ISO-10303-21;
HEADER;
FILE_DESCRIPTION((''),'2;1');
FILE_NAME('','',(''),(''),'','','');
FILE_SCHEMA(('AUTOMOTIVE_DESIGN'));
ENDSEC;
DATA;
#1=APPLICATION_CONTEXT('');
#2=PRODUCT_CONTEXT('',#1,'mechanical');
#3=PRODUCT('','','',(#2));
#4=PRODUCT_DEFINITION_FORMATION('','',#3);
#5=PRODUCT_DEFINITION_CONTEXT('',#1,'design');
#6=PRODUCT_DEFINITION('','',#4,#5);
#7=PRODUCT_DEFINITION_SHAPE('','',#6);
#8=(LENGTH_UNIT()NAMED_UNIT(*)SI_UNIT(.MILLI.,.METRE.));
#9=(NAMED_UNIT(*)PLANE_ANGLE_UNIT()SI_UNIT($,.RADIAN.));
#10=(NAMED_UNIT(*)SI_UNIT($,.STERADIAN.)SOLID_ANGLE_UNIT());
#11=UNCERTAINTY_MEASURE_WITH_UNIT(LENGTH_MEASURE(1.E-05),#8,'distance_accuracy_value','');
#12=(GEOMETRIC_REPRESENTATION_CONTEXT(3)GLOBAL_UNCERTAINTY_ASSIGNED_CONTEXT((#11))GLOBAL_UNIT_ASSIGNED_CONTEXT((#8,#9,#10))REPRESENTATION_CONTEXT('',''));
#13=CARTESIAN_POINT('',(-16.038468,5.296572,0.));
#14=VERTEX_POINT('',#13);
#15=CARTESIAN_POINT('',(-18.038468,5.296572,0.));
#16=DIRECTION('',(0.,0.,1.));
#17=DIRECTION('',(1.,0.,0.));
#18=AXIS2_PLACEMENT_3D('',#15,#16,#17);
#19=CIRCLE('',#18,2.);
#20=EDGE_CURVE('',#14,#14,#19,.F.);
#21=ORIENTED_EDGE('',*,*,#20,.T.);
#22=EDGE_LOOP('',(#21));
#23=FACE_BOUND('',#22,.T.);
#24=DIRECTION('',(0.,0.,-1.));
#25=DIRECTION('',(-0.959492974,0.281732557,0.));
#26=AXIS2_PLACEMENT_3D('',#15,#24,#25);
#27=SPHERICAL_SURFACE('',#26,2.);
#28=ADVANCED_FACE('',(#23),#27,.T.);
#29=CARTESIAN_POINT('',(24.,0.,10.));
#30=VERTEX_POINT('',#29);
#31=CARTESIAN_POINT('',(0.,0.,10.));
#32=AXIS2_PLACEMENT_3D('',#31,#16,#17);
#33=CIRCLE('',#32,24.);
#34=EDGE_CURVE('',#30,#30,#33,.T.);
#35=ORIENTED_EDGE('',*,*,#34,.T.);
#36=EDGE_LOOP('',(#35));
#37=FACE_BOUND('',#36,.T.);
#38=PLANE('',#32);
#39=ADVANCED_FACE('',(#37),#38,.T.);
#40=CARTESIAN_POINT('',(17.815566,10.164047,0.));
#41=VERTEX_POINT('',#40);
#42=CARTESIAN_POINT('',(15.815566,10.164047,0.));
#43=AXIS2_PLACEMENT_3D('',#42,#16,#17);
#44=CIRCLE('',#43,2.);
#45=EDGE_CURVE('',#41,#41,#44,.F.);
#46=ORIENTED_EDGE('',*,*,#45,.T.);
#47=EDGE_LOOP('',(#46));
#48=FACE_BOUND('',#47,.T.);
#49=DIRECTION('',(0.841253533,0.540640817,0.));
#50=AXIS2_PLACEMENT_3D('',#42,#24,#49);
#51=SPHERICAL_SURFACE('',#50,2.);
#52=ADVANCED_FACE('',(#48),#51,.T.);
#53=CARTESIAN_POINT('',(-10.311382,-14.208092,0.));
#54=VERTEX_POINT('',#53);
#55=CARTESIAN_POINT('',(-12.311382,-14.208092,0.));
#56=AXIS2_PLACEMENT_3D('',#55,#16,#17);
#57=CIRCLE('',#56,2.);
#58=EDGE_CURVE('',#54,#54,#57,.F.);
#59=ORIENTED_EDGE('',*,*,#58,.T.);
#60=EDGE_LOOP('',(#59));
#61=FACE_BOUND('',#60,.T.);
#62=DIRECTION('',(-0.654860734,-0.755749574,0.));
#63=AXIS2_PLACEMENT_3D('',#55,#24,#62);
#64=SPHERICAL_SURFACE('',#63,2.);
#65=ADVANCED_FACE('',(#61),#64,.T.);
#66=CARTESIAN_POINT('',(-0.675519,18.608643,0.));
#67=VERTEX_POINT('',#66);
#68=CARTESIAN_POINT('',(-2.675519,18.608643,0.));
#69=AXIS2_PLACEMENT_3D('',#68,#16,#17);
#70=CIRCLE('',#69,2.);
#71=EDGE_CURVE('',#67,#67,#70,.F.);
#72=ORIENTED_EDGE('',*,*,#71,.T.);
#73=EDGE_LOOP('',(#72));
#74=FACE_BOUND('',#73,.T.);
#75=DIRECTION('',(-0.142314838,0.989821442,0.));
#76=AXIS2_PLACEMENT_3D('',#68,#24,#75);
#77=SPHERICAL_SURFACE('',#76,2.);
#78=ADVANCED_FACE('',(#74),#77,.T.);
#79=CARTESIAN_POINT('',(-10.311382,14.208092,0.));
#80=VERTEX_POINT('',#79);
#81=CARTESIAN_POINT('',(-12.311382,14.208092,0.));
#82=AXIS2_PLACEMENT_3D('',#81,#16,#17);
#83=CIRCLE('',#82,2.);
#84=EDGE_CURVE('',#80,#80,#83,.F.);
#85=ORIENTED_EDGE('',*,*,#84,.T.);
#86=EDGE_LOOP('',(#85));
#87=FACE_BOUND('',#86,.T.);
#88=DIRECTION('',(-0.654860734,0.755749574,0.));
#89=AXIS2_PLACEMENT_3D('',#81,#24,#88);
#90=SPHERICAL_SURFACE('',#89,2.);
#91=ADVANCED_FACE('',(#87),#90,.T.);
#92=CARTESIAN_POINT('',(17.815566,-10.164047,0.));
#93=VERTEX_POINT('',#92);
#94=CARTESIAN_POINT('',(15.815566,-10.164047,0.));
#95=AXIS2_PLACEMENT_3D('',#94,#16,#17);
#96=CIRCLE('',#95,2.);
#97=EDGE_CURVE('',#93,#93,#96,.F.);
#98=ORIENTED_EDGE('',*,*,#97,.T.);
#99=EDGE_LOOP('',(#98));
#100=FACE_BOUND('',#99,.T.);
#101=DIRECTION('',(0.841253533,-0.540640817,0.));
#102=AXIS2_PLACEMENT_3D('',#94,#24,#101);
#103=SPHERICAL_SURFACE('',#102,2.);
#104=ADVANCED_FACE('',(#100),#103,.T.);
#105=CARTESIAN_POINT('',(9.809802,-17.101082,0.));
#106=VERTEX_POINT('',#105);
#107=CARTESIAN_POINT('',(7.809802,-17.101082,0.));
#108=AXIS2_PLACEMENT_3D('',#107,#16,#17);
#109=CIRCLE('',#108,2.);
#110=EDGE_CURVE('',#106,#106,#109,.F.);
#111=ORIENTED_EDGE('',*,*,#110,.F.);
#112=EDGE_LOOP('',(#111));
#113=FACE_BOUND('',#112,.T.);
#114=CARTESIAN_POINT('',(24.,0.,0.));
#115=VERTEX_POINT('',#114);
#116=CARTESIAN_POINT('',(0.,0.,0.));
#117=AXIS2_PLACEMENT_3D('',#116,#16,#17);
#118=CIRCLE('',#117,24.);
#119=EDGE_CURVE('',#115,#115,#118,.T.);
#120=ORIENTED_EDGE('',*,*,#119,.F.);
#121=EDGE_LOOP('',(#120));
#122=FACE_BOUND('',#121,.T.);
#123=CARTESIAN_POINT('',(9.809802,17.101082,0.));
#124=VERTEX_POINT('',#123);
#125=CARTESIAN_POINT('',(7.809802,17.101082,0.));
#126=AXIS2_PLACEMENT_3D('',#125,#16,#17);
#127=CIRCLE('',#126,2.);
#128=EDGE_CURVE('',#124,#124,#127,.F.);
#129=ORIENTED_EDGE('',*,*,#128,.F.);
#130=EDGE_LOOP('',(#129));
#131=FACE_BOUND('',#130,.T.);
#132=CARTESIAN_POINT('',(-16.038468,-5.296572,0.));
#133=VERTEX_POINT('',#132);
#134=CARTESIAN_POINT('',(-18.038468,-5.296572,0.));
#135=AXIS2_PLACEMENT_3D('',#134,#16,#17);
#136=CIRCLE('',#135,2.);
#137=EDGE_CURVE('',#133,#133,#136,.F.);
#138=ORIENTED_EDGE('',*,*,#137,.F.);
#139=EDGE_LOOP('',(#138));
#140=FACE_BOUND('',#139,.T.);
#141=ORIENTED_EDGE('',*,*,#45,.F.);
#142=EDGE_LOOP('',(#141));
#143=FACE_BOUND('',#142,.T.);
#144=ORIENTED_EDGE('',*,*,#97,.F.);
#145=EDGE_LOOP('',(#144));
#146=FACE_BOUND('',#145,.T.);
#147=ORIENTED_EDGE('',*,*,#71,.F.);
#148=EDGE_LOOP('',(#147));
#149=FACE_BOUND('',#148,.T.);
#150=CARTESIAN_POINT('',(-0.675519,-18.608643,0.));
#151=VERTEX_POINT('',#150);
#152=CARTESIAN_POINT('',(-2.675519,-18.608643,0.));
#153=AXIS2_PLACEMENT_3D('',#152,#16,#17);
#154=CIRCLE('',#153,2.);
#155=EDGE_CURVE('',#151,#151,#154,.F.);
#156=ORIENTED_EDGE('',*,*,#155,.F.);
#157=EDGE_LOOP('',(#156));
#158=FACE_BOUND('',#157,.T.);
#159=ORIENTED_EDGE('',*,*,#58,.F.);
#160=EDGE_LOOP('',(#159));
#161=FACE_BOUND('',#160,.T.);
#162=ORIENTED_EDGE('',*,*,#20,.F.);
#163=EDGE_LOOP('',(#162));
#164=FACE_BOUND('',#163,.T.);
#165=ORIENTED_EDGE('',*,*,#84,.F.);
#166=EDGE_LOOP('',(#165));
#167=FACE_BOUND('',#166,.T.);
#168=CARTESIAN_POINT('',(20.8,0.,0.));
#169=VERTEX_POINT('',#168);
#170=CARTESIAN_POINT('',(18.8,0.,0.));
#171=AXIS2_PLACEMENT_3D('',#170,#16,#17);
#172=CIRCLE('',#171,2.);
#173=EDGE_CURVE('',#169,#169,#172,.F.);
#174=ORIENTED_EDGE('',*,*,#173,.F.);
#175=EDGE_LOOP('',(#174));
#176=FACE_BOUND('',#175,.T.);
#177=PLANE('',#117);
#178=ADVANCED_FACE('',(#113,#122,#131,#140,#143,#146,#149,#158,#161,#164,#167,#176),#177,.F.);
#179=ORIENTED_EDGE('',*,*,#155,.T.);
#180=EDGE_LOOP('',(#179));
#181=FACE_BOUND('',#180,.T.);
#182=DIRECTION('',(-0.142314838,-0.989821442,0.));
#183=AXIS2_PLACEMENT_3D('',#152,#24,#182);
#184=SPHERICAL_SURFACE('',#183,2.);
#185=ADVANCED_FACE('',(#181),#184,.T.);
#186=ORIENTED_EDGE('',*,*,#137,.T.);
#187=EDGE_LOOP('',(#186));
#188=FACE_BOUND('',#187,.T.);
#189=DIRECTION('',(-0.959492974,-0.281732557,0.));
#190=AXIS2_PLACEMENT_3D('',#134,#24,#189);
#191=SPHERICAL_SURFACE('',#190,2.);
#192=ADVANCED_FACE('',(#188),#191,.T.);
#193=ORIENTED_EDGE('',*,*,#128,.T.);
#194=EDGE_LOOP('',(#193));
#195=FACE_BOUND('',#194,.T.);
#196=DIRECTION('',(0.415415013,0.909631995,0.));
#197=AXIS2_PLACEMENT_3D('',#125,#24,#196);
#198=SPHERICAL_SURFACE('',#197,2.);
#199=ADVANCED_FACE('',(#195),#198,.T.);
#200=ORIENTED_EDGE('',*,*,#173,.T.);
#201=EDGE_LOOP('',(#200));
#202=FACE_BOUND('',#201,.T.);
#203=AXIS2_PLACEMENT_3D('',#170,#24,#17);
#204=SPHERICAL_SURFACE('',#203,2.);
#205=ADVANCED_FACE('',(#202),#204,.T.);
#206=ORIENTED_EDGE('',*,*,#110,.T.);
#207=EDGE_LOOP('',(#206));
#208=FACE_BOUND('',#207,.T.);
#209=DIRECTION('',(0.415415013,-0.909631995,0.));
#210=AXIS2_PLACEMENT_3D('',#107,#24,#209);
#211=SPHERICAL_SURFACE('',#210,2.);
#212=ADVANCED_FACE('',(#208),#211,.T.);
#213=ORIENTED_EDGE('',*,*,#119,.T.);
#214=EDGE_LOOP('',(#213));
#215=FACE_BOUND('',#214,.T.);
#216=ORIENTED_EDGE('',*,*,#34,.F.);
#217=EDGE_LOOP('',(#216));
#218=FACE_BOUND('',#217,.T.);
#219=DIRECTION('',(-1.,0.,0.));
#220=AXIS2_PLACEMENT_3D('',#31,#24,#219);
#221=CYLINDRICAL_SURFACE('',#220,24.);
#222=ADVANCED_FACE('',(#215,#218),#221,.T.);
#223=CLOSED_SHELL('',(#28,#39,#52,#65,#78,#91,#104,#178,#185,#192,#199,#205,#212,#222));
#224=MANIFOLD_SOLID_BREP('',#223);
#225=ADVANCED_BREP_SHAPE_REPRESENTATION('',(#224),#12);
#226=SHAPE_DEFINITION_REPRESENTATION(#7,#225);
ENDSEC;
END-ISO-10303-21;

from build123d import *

# Parameters (mm, degrees)
SKETCH1_R           = 24
BOSS_EXTRUDE1_DEPTH = 10
CIRPATTERN1_COUNT   = 11


with BuildPart() as part:
    # Sketch1 → Boss-Extrude1 (new body)
    with BuildSketch(Plane.XY):
        Circle(SKETCH1_R)
    extrude(amount=BOSS_EXTRUDE1_DEPTH)

    # Sketch3 → Revolve1 (revolve)
    with BuildSketch(Plane(origin=(0, 0, 0), x_dir=(1, 0, 0), z_dir=(0, 1, 0))):
        with BuildLine():
            Line((18.8, 2), (18.8, -2))
            ThreePointArc((18.8, -2), (20.8, 0), (18.8, 2))
        make_face()
    revolve1 = revolve(axis=Axis((18.8, 0, -2), (0, 0, 1)))

    # CirPattern1: Revolve1 ×11 about axis
    cirpattern1_axis = Axis((0, 0, 0), (0, 0, 1))
    for i in range(1, CIRPATTERN1_COUNT):
        add(revolve1.rotate(cirpattern1_axis, i * 360 / CIRPATTERN1_COUNT))


solid = part.part
